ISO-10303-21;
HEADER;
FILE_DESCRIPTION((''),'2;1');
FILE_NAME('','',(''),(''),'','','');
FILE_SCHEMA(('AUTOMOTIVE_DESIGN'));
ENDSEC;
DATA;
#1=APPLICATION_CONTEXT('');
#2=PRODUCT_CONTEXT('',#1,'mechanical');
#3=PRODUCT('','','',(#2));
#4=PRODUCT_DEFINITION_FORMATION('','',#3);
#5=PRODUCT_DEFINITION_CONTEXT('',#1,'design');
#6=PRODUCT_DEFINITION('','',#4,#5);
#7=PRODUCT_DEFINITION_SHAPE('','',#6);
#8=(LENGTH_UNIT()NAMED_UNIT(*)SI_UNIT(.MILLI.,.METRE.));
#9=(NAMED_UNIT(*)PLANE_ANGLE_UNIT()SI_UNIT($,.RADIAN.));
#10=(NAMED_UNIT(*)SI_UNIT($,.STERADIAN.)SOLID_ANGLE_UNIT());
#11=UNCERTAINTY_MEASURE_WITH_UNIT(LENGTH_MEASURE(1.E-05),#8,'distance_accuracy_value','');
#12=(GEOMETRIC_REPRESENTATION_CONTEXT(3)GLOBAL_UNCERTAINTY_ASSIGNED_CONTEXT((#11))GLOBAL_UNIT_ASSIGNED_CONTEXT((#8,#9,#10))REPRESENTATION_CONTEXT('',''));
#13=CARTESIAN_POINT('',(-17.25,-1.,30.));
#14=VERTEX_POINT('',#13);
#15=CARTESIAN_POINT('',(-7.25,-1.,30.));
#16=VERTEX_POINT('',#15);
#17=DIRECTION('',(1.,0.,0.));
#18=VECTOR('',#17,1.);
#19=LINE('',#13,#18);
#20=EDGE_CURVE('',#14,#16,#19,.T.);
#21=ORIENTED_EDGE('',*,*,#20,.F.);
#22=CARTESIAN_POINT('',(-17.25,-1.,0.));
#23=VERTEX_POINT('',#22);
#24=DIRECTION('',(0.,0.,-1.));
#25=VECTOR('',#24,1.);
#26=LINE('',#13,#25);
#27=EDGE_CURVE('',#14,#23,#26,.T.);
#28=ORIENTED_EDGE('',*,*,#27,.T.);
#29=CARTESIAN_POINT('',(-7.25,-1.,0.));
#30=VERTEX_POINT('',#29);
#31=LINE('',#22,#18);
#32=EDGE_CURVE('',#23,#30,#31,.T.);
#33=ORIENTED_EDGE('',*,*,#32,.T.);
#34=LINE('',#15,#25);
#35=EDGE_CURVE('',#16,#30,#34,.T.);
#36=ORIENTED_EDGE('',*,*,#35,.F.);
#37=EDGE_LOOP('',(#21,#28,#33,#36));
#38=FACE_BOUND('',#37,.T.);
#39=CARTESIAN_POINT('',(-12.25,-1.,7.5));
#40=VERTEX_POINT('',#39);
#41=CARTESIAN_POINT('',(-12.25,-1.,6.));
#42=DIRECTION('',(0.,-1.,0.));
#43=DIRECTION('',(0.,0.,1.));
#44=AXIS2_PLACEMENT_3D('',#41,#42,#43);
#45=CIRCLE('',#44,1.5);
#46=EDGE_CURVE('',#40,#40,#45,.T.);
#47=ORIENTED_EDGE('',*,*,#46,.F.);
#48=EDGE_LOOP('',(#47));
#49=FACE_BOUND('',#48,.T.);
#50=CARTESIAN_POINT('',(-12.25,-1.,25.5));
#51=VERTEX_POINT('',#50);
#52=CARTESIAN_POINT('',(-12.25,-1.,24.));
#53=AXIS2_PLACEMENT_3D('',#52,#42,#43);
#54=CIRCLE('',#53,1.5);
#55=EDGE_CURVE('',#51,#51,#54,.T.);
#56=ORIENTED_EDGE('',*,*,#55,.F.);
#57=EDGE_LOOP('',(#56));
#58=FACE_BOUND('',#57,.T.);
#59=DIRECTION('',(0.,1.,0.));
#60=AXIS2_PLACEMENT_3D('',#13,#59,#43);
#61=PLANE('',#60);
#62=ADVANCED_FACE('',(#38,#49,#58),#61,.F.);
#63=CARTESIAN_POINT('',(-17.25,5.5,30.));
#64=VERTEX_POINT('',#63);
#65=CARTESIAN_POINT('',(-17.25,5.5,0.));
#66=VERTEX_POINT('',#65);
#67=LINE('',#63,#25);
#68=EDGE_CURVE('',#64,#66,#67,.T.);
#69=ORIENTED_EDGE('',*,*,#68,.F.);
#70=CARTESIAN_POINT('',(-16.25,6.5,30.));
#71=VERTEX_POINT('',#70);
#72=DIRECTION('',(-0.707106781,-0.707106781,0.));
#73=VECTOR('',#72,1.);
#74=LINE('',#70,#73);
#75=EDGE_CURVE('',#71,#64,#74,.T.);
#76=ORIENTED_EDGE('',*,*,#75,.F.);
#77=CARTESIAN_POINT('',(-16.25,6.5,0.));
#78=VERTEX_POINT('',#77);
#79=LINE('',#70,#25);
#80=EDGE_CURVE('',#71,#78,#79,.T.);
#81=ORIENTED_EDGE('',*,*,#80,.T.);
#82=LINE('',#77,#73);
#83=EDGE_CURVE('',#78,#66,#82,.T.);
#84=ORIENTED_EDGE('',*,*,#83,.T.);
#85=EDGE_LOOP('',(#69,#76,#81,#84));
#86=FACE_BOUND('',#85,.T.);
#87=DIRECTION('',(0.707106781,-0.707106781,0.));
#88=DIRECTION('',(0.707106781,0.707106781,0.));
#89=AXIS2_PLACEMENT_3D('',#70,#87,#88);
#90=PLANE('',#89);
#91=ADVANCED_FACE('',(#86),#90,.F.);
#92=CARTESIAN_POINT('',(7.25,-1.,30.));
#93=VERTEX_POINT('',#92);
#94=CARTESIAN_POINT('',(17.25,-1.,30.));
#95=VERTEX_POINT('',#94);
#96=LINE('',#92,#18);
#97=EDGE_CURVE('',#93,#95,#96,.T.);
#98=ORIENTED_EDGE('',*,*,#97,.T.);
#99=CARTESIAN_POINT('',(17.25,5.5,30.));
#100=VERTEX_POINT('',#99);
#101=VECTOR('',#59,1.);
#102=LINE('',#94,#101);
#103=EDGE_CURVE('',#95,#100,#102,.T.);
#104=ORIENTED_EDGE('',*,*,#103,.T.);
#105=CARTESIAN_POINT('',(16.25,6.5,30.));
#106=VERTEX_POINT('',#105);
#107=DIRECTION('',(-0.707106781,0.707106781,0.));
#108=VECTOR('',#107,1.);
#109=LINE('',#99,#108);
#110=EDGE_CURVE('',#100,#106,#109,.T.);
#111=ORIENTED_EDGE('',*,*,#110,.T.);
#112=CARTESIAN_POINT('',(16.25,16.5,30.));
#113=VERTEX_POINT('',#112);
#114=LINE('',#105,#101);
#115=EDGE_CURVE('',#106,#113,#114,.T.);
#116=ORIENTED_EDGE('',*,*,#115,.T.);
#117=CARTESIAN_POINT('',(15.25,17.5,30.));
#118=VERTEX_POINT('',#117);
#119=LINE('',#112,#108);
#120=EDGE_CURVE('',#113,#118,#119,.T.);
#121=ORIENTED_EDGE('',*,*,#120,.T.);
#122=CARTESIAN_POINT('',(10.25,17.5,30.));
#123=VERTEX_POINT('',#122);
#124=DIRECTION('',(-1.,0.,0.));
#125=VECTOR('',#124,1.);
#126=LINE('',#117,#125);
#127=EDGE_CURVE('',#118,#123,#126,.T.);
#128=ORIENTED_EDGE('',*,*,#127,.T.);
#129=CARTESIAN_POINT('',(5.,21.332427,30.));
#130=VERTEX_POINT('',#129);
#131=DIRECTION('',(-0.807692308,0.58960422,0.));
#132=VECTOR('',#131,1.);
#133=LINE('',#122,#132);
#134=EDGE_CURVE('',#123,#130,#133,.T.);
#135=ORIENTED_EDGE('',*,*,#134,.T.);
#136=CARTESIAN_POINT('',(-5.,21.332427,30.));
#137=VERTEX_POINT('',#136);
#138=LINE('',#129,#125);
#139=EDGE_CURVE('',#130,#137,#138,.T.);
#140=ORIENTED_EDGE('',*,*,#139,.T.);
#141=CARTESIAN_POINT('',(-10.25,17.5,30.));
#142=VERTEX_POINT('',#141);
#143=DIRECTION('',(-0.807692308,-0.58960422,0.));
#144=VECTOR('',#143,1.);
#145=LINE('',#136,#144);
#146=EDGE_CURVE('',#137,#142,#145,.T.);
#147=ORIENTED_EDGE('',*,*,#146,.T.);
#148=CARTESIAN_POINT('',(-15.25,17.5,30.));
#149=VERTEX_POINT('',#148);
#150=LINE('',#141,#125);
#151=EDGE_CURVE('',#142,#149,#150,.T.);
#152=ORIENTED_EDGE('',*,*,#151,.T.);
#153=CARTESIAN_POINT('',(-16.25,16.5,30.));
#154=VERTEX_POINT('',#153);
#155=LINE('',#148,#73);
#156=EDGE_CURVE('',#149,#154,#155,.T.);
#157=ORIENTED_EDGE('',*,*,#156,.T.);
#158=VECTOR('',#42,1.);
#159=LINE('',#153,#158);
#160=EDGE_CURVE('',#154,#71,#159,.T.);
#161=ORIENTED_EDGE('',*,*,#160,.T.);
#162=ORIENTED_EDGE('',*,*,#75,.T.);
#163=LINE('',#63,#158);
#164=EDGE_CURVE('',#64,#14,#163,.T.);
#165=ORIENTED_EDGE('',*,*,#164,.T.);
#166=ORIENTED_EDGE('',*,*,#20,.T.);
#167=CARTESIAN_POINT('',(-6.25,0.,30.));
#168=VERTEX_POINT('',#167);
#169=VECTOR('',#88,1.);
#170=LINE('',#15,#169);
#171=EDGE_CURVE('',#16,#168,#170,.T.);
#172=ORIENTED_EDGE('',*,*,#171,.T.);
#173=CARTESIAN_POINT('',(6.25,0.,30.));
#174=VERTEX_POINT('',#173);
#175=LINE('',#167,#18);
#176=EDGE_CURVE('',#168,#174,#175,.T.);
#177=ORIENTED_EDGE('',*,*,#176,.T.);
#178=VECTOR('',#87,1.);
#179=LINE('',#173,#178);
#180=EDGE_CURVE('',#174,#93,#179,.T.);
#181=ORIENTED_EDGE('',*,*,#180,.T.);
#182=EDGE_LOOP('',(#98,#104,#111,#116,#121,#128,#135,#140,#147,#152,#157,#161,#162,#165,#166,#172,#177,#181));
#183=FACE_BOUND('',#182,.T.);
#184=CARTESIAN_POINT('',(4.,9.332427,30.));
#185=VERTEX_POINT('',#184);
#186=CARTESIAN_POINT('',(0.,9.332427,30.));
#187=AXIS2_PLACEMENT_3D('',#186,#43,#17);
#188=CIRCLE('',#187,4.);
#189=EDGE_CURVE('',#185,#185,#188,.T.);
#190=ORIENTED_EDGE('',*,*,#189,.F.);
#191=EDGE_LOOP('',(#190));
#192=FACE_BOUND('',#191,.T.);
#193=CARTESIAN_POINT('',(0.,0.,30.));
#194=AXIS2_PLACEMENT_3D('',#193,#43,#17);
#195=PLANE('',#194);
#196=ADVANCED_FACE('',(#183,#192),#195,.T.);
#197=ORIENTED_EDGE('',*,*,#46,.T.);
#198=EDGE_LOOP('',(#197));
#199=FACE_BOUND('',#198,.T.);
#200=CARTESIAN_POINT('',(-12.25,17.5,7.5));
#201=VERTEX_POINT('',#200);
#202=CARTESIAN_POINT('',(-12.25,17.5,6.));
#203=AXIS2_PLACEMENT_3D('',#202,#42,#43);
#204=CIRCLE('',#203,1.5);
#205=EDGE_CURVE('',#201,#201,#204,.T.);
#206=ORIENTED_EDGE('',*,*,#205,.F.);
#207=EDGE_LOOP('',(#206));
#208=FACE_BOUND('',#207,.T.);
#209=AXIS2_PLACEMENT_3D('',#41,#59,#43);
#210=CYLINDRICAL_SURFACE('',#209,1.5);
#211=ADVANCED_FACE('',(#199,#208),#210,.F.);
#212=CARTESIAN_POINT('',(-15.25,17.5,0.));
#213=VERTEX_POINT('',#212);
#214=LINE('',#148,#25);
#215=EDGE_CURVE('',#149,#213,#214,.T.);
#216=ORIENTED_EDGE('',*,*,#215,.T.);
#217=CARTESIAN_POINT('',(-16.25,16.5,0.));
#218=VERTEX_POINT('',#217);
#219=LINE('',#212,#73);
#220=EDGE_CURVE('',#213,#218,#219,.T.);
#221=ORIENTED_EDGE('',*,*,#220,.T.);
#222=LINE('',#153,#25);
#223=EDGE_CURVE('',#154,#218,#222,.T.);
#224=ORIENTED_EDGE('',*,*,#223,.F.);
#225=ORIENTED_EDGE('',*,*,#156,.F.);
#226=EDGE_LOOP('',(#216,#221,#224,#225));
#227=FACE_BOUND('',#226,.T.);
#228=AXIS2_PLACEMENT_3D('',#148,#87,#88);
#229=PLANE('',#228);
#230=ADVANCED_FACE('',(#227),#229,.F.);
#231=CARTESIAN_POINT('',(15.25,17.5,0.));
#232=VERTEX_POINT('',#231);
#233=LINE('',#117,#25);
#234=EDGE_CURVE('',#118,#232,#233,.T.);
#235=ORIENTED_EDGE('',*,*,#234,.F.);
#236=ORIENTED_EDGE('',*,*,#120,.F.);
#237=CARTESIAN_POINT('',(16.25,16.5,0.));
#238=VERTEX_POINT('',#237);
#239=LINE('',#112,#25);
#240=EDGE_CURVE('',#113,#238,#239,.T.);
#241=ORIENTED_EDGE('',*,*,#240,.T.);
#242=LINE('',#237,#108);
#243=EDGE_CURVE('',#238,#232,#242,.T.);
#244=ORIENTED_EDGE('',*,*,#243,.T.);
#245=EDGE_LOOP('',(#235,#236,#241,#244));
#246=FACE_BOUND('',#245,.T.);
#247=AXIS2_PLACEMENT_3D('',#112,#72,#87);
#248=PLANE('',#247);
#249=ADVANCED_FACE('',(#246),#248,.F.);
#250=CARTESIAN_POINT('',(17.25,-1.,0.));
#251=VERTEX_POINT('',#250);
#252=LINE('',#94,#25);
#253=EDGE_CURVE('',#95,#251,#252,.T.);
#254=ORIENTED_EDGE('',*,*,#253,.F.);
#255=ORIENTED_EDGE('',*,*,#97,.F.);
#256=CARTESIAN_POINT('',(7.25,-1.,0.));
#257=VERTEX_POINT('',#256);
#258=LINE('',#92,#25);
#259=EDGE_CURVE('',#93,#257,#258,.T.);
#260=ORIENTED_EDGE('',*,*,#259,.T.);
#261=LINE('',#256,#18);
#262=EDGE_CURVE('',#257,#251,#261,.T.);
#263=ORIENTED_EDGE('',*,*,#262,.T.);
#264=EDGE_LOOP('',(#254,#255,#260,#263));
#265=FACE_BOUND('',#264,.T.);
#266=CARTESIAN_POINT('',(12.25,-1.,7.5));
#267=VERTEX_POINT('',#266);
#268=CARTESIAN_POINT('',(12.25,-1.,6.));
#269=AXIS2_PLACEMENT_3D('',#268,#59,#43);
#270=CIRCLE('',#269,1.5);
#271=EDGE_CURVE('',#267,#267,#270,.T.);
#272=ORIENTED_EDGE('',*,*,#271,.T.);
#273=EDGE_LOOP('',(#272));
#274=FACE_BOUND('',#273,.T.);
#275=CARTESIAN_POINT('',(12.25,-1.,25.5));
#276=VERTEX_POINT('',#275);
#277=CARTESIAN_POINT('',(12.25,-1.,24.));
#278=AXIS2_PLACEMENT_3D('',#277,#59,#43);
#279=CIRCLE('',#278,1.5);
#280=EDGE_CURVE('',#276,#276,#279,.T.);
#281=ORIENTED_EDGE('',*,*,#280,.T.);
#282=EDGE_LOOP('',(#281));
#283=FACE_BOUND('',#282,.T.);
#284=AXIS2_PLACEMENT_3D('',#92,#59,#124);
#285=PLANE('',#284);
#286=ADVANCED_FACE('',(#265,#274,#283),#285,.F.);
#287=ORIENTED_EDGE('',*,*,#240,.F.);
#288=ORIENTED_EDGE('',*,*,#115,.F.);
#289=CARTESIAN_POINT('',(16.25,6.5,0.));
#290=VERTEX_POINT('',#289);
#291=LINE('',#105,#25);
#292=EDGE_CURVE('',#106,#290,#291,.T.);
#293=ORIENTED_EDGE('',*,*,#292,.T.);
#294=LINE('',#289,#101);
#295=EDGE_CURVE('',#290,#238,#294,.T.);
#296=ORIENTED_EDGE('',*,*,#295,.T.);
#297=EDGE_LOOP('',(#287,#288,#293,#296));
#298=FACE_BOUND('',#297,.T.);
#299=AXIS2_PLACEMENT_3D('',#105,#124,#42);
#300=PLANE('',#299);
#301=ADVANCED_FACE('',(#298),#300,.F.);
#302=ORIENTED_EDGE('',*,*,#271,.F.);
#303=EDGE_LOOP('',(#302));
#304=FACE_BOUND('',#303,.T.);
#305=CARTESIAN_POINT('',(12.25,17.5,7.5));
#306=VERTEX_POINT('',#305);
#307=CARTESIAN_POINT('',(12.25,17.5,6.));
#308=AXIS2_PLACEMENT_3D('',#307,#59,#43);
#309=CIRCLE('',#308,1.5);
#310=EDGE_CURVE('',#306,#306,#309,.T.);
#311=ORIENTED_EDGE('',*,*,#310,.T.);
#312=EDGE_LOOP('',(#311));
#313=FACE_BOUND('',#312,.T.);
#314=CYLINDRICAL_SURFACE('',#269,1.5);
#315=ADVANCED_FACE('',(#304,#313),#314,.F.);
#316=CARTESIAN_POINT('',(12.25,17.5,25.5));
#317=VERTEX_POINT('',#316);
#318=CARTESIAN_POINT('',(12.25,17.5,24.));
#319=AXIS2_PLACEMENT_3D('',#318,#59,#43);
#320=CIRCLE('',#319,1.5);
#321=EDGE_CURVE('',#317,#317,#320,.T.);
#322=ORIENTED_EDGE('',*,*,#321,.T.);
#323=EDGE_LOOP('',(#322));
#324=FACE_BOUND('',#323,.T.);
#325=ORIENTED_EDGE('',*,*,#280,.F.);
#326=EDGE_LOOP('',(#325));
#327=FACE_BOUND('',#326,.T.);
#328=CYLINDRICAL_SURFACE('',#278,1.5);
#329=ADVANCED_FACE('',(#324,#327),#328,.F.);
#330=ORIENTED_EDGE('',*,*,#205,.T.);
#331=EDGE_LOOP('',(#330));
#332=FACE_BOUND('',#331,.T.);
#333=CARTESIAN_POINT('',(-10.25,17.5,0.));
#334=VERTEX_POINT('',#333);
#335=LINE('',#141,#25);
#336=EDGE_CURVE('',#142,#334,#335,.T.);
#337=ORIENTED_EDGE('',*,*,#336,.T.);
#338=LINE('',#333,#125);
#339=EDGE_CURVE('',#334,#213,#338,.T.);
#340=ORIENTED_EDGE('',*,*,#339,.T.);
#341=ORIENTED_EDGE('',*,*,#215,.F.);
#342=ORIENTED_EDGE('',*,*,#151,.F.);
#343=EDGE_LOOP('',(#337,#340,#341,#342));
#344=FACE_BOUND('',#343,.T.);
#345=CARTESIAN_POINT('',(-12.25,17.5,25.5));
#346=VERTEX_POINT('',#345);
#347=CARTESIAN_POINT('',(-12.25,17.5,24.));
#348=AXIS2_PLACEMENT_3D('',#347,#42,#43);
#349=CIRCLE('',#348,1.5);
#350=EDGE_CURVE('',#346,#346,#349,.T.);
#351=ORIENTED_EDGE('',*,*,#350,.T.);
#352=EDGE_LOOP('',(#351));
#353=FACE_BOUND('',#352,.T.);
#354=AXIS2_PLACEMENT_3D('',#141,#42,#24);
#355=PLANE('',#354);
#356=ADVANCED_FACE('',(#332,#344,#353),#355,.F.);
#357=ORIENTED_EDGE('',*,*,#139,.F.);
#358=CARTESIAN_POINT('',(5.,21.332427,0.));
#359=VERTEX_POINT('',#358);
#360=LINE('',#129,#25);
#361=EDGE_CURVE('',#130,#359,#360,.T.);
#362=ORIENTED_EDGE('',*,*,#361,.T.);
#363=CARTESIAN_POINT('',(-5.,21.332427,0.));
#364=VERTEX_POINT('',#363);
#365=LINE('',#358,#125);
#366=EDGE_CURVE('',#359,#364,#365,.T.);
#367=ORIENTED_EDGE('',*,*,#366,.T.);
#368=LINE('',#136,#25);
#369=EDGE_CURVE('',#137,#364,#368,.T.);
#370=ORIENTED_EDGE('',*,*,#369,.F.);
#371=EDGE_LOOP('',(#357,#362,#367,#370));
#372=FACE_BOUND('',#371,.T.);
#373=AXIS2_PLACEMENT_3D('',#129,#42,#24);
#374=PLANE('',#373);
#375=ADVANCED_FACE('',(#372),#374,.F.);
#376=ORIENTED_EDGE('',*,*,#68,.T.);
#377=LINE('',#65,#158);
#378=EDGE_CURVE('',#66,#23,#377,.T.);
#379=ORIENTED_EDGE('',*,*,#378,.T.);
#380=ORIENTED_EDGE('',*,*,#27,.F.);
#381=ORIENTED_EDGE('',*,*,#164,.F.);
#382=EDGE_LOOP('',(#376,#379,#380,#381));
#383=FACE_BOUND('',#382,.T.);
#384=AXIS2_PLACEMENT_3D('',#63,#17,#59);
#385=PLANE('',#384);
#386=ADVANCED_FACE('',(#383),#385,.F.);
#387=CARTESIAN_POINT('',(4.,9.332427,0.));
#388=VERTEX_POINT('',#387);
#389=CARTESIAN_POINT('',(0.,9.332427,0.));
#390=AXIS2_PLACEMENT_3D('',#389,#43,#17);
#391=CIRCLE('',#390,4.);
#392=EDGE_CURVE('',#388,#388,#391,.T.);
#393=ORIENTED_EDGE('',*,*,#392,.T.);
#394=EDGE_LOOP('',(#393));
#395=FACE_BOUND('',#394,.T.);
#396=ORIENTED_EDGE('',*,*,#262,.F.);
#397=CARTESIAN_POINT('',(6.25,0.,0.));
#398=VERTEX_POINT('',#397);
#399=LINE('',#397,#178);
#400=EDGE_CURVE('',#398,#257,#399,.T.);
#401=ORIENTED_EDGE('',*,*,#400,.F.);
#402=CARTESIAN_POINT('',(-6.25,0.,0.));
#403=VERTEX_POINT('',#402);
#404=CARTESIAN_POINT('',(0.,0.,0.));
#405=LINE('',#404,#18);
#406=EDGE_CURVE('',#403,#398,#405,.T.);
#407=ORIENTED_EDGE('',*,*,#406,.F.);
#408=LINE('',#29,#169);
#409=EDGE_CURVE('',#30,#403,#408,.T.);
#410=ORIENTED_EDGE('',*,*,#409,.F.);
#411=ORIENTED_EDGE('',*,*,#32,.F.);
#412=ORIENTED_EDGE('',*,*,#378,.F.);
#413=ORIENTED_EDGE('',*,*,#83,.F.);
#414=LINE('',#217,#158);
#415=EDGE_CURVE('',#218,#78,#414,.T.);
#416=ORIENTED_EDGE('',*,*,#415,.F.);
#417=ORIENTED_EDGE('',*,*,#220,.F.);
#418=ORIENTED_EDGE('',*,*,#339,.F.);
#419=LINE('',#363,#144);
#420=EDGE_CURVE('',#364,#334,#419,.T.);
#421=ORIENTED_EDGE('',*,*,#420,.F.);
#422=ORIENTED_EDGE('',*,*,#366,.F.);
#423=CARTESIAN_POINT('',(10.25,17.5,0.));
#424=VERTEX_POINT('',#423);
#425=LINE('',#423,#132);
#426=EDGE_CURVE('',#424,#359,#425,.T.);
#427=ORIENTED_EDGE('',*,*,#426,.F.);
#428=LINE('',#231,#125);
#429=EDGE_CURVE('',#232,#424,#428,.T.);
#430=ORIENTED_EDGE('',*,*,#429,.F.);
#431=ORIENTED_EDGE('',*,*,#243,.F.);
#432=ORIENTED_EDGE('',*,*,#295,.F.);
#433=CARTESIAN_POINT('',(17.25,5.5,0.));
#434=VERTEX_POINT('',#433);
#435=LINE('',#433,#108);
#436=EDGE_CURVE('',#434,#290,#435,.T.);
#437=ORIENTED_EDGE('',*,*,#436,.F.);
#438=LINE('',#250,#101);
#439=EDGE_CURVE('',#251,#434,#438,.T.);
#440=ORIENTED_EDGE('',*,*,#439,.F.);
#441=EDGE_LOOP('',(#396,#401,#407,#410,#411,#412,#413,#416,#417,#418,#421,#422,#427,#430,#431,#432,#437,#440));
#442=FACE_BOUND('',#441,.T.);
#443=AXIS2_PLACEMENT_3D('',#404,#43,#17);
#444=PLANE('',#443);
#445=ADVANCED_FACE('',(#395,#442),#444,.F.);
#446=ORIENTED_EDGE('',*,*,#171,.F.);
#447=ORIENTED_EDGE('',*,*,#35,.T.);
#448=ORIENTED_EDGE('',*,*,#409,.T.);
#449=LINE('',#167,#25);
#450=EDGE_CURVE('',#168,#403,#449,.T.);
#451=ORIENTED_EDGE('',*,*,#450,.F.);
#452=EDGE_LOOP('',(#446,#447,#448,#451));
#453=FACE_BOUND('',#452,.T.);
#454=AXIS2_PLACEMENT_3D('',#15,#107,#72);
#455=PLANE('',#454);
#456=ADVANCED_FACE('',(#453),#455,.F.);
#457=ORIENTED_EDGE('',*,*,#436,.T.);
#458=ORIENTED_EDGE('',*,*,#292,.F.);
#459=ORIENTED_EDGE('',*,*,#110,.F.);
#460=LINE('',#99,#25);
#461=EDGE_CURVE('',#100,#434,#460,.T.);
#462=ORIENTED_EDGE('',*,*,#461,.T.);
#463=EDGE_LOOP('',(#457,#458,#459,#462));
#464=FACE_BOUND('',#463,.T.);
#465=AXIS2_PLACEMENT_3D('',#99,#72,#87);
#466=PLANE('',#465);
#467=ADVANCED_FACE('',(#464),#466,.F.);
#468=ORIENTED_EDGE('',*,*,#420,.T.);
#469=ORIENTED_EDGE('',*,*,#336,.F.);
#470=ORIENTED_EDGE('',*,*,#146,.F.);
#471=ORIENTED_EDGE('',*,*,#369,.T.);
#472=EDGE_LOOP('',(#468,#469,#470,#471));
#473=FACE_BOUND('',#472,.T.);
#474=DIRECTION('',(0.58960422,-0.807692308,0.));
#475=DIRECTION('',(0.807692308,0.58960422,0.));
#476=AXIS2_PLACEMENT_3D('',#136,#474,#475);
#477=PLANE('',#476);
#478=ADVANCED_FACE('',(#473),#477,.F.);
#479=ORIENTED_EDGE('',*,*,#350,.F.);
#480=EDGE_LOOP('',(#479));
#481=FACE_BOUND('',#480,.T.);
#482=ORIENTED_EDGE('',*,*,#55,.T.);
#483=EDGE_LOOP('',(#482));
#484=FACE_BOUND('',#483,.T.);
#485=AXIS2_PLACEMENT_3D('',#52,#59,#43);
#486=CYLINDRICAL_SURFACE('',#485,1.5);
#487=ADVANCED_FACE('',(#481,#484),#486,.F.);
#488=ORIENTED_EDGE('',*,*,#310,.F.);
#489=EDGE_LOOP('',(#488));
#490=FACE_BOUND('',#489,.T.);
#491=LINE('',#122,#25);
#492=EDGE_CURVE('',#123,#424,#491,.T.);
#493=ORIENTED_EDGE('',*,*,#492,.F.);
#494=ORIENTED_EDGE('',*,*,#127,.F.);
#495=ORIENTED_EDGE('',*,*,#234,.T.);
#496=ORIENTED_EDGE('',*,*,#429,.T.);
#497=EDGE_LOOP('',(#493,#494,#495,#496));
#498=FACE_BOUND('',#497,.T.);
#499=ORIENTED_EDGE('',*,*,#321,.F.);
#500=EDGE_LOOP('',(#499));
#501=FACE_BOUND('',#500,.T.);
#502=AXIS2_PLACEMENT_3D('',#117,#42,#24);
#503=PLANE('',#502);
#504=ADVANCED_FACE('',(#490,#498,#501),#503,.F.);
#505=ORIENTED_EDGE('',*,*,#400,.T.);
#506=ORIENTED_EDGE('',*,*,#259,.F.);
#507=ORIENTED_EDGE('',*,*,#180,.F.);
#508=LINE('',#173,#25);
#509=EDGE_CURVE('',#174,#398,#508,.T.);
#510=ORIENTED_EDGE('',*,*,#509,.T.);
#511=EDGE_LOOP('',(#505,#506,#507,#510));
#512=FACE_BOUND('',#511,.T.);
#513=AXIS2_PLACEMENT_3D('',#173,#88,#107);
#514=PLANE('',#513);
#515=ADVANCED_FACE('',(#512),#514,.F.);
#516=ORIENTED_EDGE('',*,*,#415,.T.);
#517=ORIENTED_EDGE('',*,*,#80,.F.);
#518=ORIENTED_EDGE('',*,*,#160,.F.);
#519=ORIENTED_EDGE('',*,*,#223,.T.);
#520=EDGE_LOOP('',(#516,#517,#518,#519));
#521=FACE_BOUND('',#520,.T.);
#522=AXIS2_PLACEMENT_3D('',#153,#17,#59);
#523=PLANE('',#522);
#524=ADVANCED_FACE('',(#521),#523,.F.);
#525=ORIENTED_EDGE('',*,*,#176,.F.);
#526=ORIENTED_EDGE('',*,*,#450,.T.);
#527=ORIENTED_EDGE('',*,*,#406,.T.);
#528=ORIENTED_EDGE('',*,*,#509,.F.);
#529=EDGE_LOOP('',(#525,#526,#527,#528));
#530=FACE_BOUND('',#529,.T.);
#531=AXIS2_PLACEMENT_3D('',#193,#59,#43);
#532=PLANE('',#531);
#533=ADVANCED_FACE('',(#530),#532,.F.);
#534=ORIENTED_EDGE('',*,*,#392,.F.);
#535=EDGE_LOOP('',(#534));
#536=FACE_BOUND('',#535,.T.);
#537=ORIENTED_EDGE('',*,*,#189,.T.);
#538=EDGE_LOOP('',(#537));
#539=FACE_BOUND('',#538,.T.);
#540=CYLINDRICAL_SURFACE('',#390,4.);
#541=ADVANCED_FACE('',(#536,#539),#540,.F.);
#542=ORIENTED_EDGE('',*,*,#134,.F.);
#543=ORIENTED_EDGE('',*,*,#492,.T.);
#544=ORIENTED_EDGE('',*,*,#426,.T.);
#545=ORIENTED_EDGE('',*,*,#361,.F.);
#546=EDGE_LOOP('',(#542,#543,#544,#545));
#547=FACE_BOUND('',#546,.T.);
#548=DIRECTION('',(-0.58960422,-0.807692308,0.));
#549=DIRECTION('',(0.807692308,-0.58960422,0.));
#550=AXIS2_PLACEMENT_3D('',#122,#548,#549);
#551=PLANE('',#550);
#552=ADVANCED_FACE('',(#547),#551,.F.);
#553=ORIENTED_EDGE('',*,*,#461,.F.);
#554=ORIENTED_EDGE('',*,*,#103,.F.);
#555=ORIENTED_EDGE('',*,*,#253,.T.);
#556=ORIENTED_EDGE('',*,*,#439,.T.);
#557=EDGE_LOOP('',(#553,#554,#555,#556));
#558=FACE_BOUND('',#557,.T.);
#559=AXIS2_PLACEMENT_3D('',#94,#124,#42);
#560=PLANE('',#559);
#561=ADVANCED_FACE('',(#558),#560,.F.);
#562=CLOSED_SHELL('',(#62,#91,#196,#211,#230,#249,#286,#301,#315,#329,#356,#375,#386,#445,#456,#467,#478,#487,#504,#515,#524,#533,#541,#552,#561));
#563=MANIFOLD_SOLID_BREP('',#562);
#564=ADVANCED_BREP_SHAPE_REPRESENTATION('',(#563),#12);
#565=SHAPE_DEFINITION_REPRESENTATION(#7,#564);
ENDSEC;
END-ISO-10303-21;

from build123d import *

# Parameters (mm, degrees)
BOSS_EXTRUDE1_DEPTH = 30
SKETCH2_R           = 4
CUT_EXTRUDE1_DEPTH  = 31
SKETCH3_R           = 1.5
CUT_EXTRUDE2_DEPTH  = 19.5


with BuildPart() as part:
    # Sketch1 → Boss-Extrude1 (new body)
    with BuildSketch(Plane.XY):
        Polygon((0, 0), (6.25, 0), (7.25, -1), (17.25, -1), (17.25, 5.5), (16.25, 6.5), (16.25, 16.5), (15.25, 17.5), (10.25, 17.5), (5, 21.332427429), (-5, 21.332427429), (-10.25, 17.5), (-15.25, 17.5), (-16.25, 16.5), (-16.25, 6.5), (-17.25, 5.5), (-17.25, -1), (-7.25, -1), (-6.25, 0), align=None)
    extrude(amount=BOSS_EXTRUDE1_DEPTH)

    # Sketch2 → Cut-Extrude1 (cut, through all)
    with BuildSketch(Plane.XY.offset(30)):
        with Locations((0, 9.332427429)):
            Circle(SKETCH2_R)
    extrude(amount=-CUT_EXTRUDE1_DEPTH, mode=Mode.SUBTRACT)

    # Sketch3 → Cut-Extrude2 (cut, through all)
    with BuildSketch(Plane(origin=(0, 17.5, 0), x_dir=(1, 0, 0), z_dir=(0, 1, 0))):
        with Locations((12.25, -6)):
            Circle(SKETCH3_R)
        with Locations((12.25, -24)):
            Circle(SKETCH3_R)
    cut_extrude2 = extrude(amount=-CUT_EXTRUDE2_DEPTH, mode=Mode.SUBTRACT)

    # Mirror1: Cut-Extrude2 across plane
    add(cut_extrude2.mirror(Plane(origin=(0, 0, 0), x_dir=(0, 0, 1), z_dir=(1, 0, 0))), mode=Mode.SUBTRACT)


solid = part.part
